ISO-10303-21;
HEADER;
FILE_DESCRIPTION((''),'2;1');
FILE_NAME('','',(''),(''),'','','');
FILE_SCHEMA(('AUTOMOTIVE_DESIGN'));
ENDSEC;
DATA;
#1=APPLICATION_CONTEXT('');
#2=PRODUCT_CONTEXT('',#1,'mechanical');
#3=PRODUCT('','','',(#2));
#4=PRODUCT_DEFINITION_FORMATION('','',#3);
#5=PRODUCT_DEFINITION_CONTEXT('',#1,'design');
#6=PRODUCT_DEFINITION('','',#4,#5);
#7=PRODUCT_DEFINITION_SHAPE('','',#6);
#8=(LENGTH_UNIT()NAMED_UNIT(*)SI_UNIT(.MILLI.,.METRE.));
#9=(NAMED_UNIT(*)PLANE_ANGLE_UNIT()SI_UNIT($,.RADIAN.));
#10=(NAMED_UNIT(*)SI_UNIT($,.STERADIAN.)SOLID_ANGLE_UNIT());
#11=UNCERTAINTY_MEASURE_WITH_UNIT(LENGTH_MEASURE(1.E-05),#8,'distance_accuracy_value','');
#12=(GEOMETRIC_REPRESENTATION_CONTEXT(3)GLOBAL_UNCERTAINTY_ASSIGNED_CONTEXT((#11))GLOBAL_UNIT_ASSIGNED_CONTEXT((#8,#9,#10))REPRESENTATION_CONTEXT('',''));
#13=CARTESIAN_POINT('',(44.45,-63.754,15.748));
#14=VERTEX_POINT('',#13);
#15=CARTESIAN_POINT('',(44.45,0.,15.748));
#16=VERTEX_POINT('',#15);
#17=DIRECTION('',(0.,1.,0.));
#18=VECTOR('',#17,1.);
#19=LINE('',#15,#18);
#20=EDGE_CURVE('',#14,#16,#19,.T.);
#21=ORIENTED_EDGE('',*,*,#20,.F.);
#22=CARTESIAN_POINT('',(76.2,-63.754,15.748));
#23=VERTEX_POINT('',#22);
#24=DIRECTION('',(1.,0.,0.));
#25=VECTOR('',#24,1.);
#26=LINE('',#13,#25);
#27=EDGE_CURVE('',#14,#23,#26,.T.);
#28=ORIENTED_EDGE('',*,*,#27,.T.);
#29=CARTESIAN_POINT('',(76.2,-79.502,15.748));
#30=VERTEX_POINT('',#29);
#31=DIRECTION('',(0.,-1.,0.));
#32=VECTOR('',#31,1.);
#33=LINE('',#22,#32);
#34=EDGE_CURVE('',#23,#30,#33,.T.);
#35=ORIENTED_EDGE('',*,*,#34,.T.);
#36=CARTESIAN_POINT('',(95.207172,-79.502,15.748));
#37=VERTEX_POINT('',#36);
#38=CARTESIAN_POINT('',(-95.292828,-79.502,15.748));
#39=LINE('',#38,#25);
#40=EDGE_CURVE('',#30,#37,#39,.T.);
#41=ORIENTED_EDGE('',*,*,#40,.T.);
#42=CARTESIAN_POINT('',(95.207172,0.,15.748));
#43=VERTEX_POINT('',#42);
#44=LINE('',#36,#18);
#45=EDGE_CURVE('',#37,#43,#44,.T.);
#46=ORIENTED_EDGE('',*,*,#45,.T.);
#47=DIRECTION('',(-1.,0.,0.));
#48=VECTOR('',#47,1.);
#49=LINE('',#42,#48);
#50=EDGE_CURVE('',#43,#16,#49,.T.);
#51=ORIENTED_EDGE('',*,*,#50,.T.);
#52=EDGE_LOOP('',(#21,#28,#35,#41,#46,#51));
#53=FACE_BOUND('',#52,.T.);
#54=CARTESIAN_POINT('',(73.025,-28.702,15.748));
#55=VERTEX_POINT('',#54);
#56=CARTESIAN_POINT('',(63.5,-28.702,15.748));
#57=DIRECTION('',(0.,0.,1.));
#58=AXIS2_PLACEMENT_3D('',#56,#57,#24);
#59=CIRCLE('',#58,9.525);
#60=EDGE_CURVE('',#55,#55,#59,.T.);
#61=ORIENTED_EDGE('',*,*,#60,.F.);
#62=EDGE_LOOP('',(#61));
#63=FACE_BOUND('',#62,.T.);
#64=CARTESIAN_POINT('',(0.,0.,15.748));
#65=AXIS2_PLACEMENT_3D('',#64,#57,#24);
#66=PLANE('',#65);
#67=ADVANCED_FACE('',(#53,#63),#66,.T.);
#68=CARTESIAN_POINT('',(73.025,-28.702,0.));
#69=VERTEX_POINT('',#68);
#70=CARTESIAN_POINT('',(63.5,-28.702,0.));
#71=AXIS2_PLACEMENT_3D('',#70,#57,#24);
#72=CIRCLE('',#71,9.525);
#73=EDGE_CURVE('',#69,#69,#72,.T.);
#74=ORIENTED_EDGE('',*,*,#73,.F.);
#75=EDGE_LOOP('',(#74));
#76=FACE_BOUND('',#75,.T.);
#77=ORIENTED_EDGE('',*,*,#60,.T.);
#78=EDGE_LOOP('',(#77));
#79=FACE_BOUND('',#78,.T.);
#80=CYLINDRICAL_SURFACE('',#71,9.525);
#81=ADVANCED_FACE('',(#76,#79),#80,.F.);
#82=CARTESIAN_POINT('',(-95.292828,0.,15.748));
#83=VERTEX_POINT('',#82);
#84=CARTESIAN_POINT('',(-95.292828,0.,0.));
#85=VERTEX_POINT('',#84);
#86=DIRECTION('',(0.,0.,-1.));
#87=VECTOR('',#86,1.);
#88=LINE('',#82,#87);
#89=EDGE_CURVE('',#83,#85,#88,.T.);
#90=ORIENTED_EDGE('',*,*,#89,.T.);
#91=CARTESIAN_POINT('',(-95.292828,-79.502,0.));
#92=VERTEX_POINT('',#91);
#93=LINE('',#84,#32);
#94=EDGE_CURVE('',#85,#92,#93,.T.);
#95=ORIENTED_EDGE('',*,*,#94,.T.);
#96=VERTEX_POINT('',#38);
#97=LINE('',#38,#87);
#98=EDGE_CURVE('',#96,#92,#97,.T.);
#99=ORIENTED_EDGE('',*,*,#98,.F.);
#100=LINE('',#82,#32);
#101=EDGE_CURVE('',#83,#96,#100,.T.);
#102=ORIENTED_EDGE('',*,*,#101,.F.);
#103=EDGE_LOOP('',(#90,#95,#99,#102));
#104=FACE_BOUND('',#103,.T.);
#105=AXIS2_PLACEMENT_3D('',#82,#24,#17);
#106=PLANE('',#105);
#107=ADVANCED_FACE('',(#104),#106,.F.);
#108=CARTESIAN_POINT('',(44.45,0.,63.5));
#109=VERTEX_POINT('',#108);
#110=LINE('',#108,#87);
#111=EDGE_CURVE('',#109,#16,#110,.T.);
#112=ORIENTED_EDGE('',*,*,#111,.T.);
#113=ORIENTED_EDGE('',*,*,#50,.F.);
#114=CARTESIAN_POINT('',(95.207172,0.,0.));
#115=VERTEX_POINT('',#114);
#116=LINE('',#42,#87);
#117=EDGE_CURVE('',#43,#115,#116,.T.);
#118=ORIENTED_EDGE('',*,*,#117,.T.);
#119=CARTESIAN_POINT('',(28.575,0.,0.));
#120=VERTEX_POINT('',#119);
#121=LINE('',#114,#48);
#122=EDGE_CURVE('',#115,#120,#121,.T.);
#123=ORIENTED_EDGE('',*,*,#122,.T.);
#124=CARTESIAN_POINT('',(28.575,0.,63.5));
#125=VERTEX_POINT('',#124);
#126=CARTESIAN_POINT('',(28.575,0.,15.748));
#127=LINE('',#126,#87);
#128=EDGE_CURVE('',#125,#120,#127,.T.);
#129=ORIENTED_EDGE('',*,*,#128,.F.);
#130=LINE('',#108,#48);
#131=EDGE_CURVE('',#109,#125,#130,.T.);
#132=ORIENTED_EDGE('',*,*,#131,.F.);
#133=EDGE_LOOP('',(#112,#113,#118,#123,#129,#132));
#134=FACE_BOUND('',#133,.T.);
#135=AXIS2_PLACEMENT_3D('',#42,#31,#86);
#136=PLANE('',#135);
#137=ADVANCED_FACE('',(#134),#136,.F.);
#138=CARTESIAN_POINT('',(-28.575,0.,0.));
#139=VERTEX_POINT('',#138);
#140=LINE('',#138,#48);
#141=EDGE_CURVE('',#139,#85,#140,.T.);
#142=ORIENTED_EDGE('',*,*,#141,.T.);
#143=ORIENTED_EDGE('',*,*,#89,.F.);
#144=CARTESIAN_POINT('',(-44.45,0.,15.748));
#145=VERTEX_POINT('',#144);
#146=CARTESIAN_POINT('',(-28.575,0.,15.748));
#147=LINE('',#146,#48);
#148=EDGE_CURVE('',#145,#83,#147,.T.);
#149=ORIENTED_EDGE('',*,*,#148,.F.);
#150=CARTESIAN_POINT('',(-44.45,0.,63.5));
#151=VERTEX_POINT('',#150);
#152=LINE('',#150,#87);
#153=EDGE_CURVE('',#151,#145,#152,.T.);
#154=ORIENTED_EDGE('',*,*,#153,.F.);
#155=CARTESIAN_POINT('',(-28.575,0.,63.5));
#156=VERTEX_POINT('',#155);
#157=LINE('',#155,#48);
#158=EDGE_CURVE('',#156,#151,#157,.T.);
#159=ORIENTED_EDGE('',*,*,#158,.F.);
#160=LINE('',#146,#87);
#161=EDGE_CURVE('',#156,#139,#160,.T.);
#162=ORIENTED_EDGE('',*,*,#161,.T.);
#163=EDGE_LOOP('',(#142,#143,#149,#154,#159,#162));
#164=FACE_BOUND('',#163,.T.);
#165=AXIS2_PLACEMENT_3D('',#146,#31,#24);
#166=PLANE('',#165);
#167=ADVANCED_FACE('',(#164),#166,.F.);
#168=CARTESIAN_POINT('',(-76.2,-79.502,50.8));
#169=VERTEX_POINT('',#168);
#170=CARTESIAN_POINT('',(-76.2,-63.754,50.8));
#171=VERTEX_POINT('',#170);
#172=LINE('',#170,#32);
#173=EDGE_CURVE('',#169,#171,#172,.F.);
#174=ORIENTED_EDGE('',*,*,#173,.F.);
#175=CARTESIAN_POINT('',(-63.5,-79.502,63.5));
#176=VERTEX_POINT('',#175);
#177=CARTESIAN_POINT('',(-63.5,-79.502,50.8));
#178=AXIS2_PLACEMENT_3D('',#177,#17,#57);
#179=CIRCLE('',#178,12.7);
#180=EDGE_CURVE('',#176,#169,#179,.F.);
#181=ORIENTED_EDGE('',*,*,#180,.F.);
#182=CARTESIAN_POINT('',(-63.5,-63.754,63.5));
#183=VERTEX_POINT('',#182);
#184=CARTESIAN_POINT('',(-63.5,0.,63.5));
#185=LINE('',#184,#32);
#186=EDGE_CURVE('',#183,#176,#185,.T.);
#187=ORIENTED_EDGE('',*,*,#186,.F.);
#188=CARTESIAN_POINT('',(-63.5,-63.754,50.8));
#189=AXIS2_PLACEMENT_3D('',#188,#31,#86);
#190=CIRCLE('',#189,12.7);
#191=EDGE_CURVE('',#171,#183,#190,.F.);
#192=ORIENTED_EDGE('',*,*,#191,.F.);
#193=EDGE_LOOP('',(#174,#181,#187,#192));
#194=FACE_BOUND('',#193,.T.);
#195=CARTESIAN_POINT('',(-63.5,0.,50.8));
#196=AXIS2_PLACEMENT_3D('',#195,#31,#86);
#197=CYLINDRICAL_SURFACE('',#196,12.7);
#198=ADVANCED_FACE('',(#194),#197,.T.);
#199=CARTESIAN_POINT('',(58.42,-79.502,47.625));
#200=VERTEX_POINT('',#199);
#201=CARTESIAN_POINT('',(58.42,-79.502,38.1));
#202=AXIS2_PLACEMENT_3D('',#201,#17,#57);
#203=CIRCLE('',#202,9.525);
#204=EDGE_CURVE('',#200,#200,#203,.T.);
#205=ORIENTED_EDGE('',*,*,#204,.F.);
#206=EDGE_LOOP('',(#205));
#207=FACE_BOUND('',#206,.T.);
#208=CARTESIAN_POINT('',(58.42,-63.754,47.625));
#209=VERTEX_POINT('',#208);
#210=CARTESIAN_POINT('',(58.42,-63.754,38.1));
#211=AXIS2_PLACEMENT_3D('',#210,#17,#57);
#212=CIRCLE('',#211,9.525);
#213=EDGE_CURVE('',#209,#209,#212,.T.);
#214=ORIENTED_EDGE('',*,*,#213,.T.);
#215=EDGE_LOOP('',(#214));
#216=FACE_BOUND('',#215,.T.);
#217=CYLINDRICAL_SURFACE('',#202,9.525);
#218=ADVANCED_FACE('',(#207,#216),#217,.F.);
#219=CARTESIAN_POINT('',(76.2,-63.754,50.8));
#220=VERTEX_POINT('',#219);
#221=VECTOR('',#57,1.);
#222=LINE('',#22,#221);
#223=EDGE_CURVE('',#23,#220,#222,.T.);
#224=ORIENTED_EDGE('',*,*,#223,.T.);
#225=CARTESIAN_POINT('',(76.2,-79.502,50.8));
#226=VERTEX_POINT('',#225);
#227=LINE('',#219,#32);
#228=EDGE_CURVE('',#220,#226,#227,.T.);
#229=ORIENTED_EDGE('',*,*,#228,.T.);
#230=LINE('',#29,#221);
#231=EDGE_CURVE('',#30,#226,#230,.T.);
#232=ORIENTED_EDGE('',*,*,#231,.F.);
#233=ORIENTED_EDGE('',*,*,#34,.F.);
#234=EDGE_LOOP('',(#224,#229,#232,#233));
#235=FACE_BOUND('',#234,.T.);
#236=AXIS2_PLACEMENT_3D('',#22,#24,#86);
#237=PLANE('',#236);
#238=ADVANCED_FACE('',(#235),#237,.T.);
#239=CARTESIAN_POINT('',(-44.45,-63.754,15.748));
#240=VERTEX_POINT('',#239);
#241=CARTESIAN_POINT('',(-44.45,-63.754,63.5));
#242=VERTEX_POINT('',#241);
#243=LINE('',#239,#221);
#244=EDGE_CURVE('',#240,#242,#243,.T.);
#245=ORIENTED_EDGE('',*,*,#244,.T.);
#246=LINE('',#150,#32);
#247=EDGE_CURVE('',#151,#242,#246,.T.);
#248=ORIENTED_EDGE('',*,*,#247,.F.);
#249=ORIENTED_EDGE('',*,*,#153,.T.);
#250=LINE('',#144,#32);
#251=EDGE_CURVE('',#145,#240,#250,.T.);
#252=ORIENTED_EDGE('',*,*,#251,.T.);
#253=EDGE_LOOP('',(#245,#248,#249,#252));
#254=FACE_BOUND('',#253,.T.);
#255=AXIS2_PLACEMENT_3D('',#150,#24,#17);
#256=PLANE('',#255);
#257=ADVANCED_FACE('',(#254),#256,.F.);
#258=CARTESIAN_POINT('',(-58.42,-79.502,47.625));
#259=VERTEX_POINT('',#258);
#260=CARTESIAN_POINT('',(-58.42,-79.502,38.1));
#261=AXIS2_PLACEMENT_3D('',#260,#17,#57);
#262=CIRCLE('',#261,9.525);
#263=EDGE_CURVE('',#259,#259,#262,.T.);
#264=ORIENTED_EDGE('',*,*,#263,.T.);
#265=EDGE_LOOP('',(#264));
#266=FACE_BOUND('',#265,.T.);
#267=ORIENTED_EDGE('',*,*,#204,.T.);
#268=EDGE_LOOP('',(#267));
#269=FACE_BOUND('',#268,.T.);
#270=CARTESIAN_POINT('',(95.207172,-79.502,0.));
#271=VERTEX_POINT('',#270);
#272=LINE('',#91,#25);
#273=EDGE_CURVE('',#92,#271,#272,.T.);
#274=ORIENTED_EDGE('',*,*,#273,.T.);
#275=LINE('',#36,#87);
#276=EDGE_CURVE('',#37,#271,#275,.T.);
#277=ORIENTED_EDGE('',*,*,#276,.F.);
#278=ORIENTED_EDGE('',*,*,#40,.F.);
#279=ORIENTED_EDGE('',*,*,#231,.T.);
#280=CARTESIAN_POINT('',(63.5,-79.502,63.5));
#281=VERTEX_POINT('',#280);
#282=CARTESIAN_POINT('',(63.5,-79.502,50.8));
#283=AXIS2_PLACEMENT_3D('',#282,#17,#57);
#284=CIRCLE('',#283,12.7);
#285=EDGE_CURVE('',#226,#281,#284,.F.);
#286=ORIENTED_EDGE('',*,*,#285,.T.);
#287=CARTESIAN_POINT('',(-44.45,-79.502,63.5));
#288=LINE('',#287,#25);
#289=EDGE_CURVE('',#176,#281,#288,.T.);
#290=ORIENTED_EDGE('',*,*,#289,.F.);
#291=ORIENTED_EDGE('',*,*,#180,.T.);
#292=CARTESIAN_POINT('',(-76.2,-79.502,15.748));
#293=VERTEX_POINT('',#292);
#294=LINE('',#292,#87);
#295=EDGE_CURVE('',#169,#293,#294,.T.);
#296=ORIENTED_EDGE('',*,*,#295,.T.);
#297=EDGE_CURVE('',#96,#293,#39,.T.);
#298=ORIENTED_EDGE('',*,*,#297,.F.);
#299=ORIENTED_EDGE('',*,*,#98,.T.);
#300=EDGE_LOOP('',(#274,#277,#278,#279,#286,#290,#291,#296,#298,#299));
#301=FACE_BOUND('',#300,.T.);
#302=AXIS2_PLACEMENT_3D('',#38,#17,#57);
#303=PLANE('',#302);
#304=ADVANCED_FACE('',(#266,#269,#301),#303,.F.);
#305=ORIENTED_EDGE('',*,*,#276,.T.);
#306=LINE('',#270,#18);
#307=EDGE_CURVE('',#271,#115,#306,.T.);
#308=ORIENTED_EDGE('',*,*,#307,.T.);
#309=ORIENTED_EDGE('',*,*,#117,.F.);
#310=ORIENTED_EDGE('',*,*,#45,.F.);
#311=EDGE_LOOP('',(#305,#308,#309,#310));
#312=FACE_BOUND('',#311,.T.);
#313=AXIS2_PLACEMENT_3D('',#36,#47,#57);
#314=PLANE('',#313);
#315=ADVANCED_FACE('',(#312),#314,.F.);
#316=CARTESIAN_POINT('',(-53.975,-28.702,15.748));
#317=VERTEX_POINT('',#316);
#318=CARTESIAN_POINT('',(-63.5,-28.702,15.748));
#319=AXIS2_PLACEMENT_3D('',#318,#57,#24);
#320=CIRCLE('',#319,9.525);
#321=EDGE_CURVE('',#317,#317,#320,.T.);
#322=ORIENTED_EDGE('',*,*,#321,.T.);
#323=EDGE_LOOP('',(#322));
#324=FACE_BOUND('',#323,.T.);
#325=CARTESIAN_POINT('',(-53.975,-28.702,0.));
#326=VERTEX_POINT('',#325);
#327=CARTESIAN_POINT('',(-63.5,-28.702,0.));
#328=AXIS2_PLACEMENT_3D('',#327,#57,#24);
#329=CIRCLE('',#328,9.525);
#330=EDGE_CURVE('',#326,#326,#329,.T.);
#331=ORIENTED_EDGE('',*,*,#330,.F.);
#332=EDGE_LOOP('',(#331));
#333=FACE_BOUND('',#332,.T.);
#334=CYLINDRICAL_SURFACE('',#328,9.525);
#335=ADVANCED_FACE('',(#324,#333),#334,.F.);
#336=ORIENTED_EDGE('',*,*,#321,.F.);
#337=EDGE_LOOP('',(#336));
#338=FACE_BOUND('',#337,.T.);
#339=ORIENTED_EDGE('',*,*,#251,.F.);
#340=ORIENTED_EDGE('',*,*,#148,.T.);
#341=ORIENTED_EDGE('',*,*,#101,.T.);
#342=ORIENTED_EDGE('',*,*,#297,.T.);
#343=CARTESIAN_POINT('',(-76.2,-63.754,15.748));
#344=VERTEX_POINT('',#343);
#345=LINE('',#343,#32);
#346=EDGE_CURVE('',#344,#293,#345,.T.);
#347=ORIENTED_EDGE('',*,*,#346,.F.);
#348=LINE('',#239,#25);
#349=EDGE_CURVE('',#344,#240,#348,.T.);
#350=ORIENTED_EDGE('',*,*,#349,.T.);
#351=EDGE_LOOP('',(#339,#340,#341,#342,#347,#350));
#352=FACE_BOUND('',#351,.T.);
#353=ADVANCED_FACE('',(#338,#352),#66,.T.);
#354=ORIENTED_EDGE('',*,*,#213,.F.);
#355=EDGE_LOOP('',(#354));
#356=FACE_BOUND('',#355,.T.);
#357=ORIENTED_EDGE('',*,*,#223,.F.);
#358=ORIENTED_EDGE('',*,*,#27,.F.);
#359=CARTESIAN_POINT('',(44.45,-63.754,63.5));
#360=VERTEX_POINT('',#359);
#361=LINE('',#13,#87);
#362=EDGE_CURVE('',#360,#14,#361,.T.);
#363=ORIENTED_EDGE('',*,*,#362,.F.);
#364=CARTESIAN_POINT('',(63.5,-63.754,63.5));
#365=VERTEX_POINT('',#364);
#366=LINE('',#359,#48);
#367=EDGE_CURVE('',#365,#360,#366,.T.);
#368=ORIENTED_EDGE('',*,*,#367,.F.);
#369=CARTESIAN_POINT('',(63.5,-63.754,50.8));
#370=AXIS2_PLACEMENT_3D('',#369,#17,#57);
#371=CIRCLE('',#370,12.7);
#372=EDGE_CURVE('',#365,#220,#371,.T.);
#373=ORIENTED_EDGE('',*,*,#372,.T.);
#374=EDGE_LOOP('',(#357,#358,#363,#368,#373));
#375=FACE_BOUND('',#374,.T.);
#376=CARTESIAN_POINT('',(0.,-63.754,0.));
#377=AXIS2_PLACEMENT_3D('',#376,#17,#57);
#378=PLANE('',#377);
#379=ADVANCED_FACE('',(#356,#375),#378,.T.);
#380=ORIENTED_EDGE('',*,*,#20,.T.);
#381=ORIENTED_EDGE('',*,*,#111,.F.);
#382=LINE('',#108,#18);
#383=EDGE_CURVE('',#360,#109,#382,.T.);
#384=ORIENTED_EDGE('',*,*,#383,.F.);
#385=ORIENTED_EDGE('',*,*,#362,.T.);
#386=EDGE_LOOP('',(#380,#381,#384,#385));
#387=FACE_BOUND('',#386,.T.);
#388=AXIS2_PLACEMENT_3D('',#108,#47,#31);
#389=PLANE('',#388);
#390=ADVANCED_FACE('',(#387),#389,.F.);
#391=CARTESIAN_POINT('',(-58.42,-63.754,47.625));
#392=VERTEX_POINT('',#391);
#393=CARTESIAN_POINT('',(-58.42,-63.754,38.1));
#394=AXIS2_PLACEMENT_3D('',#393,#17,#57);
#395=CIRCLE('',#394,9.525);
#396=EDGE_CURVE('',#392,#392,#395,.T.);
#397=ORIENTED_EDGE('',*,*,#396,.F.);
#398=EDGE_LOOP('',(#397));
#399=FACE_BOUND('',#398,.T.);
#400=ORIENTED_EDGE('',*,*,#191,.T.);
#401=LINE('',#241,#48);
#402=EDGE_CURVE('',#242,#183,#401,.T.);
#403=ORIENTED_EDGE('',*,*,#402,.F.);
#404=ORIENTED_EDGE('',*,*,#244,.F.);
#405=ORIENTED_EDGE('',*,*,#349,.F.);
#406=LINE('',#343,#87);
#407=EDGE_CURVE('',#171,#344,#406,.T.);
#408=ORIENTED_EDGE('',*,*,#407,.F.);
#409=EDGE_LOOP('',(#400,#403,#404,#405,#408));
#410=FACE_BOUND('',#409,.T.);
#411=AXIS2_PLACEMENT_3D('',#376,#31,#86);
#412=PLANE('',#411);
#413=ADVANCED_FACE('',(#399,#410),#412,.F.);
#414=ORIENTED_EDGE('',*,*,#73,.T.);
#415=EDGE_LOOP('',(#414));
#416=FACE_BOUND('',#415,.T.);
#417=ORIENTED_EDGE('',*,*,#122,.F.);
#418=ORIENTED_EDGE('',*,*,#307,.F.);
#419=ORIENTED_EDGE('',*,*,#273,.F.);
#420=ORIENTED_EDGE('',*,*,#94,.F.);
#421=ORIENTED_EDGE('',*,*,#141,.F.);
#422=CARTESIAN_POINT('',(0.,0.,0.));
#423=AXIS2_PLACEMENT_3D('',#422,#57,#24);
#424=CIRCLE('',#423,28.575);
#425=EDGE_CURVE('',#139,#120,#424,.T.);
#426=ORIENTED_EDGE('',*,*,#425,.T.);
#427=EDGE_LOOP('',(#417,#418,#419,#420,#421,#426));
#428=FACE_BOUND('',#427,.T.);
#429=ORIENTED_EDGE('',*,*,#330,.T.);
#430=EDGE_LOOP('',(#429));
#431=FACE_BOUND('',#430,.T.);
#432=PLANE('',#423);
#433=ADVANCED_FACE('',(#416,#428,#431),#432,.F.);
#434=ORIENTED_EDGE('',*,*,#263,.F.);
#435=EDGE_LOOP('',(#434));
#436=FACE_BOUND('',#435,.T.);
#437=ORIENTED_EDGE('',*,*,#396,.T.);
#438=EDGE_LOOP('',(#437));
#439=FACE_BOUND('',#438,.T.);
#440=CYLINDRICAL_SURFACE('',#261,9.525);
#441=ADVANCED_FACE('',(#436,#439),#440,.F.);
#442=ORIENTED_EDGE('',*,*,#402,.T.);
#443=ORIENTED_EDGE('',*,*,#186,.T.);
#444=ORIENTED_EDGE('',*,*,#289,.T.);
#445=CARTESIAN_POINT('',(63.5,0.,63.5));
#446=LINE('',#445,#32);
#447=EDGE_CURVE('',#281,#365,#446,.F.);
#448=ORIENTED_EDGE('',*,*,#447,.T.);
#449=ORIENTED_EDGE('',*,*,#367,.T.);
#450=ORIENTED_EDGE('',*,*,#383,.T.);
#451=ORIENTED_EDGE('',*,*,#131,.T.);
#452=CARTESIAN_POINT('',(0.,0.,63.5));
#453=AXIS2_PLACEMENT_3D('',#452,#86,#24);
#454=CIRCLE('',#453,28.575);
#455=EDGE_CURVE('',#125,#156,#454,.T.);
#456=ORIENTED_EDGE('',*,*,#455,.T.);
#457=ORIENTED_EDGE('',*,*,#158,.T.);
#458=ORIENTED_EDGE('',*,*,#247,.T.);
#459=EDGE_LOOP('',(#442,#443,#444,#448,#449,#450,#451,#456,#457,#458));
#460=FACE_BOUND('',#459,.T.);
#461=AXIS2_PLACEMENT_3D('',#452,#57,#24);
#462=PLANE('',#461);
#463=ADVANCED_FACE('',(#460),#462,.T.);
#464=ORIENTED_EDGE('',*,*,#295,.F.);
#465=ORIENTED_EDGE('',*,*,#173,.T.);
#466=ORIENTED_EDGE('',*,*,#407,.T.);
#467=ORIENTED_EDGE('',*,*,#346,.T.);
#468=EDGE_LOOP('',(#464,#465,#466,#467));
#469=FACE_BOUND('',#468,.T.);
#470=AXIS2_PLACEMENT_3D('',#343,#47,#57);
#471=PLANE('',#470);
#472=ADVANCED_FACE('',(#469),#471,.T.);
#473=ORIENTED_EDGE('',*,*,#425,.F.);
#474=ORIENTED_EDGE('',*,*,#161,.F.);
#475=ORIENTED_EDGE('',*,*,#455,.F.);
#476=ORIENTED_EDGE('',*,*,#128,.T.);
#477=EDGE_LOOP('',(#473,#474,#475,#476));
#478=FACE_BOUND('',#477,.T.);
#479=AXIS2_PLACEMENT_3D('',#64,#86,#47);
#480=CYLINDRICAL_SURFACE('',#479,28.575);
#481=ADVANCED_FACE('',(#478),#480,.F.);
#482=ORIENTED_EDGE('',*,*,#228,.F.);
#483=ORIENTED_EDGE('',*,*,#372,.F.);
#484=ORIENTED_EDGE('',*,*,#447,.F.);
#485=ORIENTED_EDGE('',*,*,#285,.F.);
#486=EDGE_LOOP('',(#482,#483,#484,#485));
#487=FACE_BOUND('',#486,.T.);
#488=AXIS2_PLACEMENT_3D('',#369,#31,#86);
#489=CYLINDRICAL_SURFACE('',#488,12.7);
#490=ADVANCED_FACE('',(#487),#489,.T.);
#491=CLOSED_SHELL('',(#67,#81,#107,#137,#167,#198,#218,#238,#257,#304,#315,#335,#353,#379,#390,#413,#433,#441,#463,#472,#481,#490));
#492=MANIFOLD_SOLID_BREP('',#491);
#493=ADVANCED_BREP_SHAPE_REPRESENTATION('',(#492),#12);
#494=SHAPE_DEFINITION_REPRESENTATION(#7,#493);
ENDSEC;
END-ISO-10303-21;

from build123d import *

# Parameters (mm, degrees)
BOSS_EXTRUDE1_DEPTH     = 15.748
BOSS_EXTRUDE3_DEPTH     = 47.752
SKETCH4_W               = 31.75
SKETCH4_H               = 47.752
BOSS_EXTRUDE4_DEPTH     = 15.748
FILLET1_R               = 12.7
CUT_EXTRUDE1_DEPTH      = 133.971969005
CUT_EXTRUDE1_DEPTH_BACK = 133.971969005
SKETCH5_R               = 9.525
CUT_EXTRUDE2_DEPTH      = 132.063135736
CUT_EXTRUDE2_DEPTH_BACK = 132.063135736
SKETCH6_R               = 9.525


with BuildPart() as part:
    # Sketch1 → Boss-Extrude1 (new body)
    with BuildSketch(Plane.XY):
        with BuildLine():
            Line((-28.575, 0), (-95.292827815, 0))
            Line((-95.292827815, 0), (-95.292827815, -79.502))
            Line((-95.292827815, -79.502), (95.207172185, -79.502))
            Line((95.207172185, -79.502), (95.207172185, 0))
            Line((95.207172185, 0), (28.575, 0))
            ThreePointArc((28.575, 0), (0, -28.575), (-28.575, 0))
        make_face()
    extrude(amount=BOSS_EXTRUDE1_DEPTH)

    # Sketch2 → Boss-Extrude3 (add)
    with BuildSketch(Plane.XY.offset(15.748)):
        with BuildLine():
            Line((-44.45, 0), (-44.45, -79.502))
            Line((-44.45, -79.502), (44.45, -79.502))
            Line((44.45, -79.502), (44.45, 0))
            Line((44.45, 0), (28.575, 0))
            ThreePointArc((28.575, 0), (0, -28.575), (-28.575, 0))
            Line((-28.575, 0), (-44.45, 0))
        make_face()
    extrude(amount=BOSS_EXTRUDE3_DEPTH)

    # Sketch4 → Boss-Extrude4 (add)
    with BuildSketch(Plane.XZ.offset(79.502)):
        with Locations((-60.325, 39.624)):
            Rectangle(SKETCH4_W, SKETCH4_H)
        with Locations((60.325, 39.624)):
            Rectangle(SKETCH4_W, SKETCH4_H)
    extrude(amount=-BOSS_EXTRUDE4_DEPTH)

    # Fillet1
    fillet1_edges = [part.edges().sort_by_distance(p)[0] for p in [
        (-76.2, -71.628, 63.5),
        (76.2, -71.628, 63.5),
    ]]
    fillet(fillet1_edges, radius=FILLET1_R)

    # Sketch5 → Cut-Extrude1 (cut, two sides: drawn at the far end of the back side and taken through both)
    with BuildSketch(Plane.XY.offset(15.748).offset(-CUT_EXTRUDE1_DEPTH_BACK)):
        with Locations((63.5, -28.702)):
            Circle(SKETCH5_R)
        with Locations((-63.5, -28.702)):
            Circle(SKETCH5_R)
    extrude(amount=CUT_EXTRUDE1_DEPTH + CUT_EXTRUDE1_DEPTH_BACK, mode=Mode.SUBTRACT)

    # Sketch6 → Cut-Extrude2 (cut, two sides: drawn at the far end of the back side and taken through both)
    with BuildSketch(Plane(origin=(0, -63.754, 0), x_dir=(1, 0, 0), z_dir=(0, 1, 0)).offset(-CUT_EXTRUDE2_DEPTH_BACK)):
        with Locations(Location((-58.42, -38.1, 0), (0, 0, 270))):
            Circle(SKETCH6_R)
        with Locations(Location((58.42, -38.1, 0), (0, 0, 270))):
            Circle(SKETCH6_R)
    extrude(amount=CUT_EXTRUDE2_DEPTH + CUT_EXTRUDE2_DEPTH_BACK, mode=Mode.SUBTRACT)


solid = part.part
